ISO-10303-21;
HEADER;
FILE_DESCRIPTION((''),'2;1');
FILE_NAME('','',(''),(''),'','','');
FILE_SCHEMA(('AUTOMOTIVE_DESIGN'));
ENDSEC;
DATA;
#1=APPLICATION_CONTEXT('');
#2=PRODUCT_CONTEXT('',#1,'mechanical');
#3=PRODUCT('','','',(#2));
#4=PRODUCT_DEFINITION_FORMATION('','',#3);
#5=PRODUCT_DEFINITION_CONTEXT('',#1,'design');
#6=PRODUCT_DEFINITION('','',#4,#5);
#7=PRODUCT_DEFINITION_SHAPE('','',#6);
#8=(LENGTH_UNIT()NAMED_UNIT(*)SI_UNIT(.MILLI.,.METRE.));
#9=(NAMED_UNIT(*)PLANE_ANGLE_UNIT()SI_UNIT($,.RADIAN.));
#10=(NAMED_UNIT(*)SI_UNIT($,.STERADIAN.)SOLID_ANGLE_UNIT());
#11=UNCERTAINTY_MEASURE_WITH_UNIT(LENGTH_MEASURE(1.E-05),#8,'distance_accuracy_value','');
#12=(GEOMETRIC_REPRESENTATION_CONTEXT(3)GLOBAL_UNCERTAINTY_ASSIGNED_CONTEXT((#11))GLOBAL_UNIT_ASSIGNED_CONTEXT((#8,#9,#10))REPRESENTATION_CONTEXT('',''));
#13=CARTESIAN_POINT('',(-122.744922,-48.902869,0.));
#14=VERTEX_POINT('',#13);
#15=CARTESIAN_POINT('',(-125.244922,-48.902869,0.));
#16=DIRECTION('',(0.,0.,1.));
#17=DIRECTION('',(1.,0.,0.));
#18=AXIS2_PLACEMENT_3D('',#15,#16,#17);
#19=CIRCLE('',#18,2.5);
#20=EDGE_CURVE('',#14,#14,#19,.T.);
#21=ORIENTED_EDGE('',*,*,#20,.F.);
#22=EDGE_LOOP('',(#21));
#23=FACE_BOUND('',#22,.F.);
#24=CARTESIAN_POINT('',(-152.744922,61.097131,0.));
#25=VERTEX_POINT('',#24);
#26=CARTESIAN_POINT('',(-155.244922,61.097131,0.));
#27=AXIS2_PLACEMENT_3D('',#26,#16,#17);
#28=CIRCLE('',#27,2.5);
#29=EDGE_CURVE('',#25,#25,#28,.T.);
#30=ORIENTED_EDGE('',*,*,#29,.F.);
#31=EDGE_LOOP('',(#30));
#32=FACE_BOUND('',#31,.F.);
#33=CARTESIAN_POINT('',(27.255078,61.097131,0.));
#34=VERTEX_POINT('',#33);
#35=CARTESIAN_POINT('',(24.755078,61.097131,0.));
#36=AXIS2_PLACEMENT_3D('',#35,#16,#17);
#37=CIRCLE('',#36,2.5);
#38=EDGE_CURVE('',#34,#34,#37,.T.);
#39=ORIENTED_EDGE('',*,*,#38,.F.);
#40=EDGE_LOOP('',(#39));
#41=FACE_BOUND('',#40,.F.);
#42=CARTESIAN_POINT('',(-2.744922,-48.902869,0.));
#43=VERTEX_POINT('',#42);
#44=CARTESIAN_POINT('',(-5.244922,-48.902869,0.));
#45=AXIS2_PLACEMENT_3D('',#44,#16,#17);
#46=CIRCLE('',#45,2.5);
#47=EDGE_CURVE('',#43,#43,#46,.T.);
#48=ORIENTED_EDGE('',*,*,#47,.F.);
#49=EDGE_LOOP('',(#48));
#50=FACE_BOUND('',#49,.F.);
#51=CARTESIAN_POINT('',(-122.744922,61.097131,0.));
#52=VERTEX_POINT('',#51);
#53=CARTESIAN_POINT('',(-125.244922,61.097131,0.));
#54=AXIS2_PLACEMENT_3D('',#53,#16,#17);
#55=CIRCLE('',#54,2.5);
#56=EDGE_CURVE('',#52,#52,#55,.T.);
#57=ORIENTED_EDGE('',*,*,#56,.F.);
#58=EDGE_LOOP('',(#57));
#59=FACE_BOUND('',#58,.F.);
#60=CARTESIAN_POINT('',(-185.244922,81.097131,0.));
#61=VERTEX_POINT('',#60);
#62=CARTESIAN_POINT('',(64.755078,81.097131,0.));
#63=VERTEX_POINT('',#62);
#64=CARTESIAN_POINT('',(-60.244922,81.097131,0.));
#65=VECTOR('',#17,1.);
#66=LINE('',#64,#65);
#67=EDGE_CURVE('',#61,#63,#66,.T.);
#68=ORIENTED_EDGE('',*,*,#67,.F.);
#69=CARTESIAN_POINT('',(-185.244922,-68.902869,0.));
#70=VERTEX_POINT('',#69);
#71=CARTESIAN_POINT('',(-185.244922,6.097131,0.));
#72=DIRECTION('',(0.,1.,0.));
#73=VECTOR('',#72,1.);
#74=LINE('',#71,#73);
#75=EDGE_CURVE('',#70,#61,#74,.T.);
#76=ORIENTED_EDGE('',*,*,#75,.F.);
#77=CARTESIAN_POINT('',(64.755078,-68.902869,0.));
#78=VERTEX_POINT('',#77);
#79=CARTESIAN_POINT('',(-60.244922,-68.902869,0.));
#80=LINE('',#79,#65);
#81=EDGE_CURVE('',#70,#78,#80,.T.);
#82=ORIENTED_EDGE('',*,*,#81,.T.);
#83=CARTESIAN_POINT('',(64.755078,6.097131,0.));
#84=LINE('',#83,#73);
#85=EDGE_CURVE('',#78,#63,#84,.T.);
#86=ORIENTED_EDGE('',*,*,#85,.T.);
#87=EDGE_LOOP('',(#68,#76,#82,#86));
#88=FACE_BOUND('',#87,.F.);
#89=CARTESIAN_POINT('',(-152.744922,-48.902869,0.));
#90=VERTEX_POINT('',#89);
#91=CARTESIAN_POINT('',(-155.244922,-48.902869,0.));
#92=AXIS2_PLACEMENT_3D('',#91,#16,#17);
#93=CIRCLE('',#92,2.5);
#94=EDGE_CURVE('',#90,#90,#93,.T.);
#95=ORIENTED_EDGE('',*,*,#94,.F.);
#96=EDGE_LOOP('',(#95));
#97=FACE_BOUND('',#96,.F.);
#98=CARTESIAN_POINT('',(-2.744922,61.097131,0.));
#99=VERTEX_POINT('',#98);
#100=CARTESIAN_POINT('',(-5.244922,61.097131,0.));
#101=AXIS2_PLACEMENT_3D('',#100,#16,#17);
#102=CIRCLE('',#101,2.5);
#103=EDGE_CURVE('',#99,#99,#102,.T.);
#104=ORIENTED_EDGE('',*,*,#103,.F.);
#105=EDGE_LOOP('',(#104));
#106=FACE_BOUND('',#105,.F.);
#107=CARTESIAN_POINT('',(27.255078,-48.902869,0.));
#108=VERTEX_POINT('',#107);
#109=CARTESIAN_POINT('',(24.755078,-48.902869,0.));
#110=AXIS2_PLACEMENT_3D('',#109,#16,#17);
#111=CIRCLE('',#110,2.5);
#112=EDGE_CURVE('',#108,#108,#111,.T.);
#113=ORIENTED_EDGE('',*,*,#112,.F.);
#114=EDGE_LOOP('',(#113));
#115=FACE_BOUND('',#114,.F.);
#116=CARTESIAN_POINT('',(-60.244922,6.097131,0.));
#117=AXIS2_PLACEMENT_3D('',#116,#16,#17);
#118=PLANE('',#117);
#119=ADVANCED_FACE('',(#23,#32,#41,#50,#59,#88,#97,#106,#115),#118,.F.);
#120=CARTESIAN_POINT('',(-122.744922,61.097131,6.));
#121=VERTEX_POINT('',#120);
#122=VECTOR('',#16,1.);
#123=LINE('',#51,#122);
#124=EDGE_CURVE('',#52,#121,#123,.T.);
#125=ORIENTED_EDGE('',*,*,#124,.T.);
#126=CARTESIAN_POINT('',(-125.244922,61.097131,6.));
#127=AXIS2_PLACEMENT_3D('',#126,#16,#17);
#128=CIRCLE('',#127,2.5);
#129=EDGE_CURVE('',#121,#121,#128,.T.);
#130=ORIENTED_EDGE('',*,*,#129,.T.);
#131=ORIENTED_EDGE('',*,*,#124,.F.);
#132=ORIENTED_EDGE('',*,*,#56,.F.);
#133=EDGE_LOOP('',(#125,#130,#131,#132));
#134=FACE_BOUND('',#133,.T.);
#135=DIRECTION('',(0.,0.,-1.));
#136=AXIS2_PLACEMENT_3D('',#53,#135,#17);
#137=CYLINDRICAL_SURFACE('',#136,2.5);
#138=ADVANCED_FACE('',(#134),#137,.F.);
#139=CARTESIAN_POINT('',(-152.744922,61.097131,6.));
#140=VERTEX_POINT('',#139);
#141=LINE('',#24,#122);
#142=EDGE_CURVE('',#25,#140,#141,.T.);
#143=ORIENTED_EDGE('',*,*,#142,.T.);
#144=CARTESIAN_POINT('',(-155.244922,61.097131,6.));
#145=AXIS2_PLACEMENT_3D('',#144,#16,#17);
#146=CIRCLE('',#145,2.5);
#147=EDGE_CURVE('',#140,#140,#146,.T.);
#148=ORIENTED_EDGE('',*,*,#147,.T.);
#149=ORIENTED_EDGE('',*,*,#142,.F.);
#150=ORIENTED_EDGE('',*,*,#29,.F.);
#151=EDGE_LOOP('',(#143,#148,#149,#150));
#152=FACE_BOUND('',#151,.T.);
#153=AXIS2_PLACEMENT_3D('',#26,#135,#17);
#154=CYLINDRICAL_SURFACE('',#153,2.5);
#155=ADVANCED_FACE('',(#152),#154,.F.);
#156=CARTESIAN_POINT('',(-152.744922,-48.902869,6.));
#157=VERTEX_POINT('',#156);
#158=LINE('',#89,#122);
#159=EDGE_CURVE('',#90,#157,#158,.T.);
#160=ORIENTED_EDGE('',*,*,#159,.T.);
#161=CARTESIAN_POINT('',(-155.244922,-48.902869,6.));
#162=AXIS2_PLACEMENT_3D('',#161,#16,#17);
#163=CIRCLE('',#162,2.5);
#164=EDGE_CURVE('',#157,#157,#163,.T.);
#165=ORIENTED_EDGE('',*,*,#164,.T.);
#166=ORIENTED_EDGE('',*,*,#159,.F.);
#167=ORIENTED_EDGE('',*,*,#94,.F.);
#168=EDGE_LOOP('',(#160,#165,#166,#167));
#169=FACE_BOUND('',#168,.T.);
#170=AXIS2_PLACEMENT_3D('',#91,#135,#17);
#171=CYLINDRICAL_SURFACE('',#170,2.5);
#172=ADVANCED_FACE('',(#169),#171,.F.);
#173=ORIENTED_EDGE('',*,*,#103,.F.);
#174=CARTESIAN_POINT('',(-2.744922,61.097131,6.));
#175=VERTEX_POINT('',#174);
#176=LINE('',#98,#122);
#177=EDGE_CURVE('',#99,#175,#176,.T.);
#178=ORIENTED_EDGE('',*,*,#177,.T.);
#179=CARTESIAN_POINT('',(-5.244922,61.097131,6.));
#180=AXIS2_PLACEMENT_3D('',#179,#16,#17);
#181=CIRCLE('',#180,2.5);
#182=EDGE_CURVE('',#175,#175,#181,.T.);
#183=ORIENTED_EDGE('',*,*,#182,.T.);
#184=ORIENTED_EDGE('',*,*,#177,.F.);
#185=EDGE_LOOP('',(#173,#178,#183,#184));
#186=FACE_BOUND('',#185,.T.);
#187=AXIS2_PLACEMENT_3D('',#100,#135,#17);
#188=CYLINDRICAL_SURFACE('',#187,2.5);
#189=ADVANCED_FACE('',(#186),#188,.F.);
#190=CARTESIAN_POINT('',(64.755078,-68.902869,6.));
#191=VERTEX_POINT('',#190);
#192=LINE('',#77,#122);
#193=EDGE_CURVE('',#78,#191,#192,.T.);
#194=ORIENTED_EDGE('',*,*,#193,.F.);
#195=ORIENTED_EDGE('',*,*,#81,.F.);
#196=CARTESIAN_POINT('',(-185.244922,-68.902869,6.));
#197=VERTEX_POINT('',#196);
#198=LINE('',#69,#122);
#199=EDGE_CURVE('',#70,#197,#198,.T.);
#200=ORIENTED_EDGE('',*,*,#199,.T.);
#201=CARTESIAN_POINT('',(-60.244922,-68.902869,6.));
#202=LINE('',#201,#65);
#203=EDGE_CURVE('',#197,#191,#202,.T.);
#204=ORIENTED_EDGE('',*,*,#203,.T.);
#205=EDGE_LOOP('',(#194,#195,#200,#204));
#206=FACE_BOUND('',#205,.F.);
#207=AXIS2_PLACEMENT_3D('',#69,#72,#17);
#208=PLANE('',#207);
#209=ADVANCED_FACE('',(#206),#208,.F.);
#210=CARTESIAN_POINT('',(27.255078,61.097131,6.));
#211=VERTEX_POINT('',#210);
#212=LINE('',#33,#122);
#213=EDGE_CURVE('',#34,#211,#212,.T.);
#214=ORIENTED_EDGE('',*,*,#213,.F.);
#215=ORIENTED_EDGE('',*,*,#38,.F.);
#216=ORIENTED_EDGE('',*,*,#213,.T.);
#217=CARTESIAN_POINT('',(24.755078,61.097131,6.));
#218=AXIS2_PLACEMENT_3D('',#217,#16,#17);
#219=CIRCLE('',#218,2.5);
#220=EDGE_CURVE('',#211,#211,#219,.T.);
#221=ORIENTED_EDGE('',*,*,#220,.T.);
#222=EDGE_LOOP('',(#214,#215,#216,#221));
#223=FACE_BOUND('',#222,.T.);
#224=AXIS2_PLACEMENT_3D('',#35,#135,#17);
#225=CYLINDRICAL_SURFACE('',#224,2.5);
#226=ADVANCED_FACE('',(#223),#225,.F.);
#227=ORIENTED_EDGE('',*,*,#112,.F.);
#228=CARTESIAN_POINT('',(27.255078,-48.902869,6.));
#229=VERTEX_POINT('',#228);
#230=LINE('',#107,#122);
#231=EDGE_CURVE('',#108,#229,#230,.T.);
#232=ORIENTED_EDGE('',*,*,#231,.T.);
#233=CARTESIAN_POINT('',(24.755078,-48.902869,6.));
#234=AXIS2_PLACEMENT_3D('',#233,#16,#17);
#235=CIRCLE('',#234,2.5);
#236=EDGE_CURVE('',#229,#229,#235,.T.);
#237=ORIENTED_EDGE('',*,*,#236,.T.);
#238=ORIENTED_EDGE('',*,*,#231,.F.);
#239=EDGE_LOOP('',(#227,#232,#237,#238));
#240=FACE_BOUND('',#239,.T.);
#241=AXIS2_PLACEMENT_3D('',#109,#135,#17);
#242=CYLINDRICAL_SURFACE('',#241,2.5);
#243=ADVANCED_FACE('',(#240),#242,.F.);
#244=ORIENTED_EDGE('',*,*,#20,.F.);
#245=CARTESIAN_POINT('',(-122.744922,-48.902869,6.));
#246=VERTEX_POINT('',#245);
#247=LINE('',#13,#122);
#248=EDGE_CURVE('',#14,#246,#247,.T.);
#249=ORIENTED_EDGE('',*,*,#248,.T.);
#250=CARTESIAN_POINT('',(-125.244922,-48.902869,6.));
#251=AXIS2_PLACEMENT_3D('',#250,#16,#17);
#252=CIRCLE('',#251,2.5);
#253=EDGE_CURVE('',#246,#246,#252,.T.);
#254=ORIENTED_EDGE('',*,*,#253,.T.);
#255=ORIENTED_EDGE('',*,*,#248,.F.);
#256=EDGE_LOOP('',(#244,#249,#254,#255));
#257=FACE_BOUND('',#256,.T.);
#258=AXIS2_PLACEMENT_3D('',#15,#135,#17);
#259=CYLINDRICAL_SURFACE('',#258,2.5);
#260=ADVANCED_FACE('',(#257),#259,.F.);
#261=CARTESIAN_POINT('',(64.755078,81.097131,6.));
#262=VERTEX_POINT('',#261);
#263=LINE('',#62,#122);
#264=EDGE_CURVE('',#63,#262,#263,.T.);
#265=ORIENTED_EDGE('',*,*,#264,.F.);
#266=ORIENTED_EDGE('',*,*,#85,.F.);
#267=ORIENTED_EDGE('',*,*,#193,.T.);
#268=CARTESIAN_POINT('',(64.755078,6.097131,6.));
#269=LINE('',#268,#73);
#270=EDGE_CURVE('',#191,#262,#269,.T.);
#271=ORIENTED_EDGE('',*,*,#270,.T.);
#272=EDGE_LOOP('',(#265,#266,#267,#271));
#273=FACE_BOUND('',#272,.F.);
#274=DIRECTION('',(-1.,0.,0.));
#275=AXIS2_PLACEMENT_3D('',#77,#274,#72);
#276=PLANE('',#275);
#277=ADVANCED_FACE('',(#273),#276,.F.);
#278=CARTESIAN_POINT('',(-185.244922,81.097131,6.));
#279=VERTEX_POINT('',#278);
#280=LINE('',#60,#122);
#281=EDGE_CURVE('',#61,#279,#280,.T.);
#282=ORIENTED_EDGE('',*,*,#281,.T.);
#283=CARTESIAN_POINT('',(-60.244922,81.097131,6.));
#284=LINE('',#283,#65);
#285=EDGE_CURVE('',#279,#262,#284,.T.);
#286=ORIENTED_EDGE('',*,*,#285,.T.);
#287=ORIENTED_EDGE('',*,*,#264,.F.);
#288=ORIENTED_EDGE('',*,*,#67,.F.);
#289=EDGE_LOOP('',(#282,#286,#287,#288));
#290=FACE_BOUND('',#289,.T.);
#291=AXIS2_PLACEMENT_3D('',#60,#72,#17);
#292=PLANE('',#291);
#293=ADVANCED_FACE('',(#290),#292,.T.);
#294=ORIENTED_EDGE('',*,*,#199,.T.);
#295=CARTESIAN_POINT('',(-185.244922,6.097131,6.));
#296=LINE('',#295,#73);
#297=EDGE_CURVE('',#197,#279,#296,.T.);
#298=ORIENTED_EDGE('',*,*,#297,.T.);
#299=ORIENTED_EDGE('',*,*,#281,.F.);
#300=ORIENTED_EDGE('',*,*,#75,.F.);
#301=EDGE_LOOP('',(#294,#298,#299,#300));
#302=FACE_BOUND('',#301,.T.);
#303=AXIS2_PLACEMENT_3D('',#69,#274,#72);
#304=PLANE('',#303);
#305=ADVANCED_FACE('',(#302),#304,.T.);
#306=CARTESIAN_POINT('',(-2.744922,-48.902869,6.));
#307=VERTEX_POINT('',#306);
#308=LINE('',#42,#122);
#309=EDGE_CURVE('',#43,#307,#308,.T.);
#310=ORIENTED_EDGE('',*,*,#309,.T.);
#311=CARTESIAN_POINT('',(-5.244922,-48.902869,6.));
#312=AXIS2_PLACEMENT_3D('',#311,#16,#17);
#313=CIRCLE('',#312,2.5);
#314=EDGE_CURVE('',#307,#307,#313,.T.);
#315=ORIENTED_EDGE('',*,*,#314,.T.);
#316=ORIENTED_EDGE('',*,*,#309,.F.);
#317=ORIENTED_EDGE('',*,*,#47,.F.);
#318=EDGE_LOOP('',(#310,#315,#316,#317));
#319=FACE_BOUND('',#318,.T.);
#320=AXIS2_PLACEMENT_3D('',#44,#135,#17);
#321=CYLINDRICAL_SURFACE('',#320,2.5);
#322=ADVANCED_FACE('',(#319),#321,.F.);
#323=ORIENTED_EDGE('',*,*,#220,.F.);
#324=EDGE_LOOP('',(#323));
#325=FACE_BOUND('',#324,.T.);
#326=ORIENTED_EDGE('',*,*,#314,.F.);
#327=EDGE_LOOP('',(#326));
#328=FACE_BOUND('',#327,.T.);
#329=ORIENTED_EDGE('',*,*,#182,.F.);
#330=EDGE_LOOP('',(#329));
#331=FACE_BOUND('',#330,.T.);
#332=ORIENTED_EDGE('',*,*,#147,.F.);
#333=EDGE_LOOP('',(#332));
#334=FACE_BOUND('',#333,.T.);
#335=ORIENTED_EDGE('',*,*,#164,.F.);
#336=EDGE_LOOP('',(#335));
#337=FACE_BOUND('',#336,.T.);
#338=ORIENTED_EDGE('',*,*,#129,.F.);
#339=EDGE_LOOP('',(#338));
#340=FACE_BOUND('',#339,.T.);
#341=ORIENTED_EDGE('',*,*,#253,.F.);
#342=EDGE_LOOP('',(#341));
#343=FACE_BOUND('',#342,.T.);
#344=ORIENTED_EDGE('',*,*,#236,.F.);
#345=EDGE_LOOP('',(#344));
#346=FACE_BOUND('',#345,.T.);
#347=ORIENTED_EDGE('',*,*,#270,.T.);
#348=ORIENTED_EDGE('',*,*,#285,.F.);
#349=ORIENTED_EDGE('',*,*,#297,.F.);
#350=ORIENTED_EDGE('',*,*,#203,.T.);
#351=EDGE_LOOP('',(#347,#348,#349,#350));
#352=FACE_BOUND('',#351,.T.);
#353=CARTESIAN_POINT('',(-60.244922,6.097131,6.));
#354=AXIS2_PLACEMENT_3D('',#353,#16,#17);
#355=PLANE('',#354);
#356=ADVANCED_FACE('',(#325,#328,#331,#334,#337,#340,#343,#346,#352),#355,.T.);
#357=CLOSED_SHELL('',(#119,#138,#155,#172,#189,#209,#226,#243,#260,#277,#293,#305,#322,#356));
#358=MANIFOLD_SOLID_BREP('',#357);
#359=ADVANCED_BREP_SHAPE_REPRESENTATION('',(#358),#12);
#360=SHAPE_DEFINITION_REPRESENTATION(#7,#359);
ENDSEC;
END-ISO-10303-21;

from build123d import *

# Parameters (mm, degrees)
F0_W     = 250
F0_H     = 150
F0_R     = 2.5
F1_DEPTH = 6


with BuildPart() as f1:
    # F0 (on Top) → F1 (new body)
    with BuildSketch(Plane.XY):
        with Locations((-60.244922, 6.097131)):
            Rectangle(F0_W, F0_H)
        with Locations((-155.244922, -48.902869)):
            Circle(F0_R, mode=Mode.SUBTRACT)
        with Locations((-125.244922, -48.902869)):
            Circle(F0_R, mode=Mode.SUBTRACT)
        with Locations((-5.244922, -48.902869)):
            Circle(F0_R, mode=Mode.SUBTRACT)
        with Locations((24.755078, -48.902869)):
            Circle(F0_R, mode=Mode.SUBTRACT)
        with Locations((-155.244922, 61.097131)):
            Circle(F0_R, mode=Mode.SUBTRACT)
        with Locations((-125.244922, 61.097131)):
            Circle(F0_R, mode=Mode.SUBTRACT)
        with Locations((-5.244922, 61.097131)):
            Circle(F0_R, mode=Mode.SUBTRACT)
        with Locations((24.755078, 61.097131)):
            Circle(F0_R, mode=Mode.SUBTRACT)
    extrude(amount=F1_DEPTH)


solid = f1.part
